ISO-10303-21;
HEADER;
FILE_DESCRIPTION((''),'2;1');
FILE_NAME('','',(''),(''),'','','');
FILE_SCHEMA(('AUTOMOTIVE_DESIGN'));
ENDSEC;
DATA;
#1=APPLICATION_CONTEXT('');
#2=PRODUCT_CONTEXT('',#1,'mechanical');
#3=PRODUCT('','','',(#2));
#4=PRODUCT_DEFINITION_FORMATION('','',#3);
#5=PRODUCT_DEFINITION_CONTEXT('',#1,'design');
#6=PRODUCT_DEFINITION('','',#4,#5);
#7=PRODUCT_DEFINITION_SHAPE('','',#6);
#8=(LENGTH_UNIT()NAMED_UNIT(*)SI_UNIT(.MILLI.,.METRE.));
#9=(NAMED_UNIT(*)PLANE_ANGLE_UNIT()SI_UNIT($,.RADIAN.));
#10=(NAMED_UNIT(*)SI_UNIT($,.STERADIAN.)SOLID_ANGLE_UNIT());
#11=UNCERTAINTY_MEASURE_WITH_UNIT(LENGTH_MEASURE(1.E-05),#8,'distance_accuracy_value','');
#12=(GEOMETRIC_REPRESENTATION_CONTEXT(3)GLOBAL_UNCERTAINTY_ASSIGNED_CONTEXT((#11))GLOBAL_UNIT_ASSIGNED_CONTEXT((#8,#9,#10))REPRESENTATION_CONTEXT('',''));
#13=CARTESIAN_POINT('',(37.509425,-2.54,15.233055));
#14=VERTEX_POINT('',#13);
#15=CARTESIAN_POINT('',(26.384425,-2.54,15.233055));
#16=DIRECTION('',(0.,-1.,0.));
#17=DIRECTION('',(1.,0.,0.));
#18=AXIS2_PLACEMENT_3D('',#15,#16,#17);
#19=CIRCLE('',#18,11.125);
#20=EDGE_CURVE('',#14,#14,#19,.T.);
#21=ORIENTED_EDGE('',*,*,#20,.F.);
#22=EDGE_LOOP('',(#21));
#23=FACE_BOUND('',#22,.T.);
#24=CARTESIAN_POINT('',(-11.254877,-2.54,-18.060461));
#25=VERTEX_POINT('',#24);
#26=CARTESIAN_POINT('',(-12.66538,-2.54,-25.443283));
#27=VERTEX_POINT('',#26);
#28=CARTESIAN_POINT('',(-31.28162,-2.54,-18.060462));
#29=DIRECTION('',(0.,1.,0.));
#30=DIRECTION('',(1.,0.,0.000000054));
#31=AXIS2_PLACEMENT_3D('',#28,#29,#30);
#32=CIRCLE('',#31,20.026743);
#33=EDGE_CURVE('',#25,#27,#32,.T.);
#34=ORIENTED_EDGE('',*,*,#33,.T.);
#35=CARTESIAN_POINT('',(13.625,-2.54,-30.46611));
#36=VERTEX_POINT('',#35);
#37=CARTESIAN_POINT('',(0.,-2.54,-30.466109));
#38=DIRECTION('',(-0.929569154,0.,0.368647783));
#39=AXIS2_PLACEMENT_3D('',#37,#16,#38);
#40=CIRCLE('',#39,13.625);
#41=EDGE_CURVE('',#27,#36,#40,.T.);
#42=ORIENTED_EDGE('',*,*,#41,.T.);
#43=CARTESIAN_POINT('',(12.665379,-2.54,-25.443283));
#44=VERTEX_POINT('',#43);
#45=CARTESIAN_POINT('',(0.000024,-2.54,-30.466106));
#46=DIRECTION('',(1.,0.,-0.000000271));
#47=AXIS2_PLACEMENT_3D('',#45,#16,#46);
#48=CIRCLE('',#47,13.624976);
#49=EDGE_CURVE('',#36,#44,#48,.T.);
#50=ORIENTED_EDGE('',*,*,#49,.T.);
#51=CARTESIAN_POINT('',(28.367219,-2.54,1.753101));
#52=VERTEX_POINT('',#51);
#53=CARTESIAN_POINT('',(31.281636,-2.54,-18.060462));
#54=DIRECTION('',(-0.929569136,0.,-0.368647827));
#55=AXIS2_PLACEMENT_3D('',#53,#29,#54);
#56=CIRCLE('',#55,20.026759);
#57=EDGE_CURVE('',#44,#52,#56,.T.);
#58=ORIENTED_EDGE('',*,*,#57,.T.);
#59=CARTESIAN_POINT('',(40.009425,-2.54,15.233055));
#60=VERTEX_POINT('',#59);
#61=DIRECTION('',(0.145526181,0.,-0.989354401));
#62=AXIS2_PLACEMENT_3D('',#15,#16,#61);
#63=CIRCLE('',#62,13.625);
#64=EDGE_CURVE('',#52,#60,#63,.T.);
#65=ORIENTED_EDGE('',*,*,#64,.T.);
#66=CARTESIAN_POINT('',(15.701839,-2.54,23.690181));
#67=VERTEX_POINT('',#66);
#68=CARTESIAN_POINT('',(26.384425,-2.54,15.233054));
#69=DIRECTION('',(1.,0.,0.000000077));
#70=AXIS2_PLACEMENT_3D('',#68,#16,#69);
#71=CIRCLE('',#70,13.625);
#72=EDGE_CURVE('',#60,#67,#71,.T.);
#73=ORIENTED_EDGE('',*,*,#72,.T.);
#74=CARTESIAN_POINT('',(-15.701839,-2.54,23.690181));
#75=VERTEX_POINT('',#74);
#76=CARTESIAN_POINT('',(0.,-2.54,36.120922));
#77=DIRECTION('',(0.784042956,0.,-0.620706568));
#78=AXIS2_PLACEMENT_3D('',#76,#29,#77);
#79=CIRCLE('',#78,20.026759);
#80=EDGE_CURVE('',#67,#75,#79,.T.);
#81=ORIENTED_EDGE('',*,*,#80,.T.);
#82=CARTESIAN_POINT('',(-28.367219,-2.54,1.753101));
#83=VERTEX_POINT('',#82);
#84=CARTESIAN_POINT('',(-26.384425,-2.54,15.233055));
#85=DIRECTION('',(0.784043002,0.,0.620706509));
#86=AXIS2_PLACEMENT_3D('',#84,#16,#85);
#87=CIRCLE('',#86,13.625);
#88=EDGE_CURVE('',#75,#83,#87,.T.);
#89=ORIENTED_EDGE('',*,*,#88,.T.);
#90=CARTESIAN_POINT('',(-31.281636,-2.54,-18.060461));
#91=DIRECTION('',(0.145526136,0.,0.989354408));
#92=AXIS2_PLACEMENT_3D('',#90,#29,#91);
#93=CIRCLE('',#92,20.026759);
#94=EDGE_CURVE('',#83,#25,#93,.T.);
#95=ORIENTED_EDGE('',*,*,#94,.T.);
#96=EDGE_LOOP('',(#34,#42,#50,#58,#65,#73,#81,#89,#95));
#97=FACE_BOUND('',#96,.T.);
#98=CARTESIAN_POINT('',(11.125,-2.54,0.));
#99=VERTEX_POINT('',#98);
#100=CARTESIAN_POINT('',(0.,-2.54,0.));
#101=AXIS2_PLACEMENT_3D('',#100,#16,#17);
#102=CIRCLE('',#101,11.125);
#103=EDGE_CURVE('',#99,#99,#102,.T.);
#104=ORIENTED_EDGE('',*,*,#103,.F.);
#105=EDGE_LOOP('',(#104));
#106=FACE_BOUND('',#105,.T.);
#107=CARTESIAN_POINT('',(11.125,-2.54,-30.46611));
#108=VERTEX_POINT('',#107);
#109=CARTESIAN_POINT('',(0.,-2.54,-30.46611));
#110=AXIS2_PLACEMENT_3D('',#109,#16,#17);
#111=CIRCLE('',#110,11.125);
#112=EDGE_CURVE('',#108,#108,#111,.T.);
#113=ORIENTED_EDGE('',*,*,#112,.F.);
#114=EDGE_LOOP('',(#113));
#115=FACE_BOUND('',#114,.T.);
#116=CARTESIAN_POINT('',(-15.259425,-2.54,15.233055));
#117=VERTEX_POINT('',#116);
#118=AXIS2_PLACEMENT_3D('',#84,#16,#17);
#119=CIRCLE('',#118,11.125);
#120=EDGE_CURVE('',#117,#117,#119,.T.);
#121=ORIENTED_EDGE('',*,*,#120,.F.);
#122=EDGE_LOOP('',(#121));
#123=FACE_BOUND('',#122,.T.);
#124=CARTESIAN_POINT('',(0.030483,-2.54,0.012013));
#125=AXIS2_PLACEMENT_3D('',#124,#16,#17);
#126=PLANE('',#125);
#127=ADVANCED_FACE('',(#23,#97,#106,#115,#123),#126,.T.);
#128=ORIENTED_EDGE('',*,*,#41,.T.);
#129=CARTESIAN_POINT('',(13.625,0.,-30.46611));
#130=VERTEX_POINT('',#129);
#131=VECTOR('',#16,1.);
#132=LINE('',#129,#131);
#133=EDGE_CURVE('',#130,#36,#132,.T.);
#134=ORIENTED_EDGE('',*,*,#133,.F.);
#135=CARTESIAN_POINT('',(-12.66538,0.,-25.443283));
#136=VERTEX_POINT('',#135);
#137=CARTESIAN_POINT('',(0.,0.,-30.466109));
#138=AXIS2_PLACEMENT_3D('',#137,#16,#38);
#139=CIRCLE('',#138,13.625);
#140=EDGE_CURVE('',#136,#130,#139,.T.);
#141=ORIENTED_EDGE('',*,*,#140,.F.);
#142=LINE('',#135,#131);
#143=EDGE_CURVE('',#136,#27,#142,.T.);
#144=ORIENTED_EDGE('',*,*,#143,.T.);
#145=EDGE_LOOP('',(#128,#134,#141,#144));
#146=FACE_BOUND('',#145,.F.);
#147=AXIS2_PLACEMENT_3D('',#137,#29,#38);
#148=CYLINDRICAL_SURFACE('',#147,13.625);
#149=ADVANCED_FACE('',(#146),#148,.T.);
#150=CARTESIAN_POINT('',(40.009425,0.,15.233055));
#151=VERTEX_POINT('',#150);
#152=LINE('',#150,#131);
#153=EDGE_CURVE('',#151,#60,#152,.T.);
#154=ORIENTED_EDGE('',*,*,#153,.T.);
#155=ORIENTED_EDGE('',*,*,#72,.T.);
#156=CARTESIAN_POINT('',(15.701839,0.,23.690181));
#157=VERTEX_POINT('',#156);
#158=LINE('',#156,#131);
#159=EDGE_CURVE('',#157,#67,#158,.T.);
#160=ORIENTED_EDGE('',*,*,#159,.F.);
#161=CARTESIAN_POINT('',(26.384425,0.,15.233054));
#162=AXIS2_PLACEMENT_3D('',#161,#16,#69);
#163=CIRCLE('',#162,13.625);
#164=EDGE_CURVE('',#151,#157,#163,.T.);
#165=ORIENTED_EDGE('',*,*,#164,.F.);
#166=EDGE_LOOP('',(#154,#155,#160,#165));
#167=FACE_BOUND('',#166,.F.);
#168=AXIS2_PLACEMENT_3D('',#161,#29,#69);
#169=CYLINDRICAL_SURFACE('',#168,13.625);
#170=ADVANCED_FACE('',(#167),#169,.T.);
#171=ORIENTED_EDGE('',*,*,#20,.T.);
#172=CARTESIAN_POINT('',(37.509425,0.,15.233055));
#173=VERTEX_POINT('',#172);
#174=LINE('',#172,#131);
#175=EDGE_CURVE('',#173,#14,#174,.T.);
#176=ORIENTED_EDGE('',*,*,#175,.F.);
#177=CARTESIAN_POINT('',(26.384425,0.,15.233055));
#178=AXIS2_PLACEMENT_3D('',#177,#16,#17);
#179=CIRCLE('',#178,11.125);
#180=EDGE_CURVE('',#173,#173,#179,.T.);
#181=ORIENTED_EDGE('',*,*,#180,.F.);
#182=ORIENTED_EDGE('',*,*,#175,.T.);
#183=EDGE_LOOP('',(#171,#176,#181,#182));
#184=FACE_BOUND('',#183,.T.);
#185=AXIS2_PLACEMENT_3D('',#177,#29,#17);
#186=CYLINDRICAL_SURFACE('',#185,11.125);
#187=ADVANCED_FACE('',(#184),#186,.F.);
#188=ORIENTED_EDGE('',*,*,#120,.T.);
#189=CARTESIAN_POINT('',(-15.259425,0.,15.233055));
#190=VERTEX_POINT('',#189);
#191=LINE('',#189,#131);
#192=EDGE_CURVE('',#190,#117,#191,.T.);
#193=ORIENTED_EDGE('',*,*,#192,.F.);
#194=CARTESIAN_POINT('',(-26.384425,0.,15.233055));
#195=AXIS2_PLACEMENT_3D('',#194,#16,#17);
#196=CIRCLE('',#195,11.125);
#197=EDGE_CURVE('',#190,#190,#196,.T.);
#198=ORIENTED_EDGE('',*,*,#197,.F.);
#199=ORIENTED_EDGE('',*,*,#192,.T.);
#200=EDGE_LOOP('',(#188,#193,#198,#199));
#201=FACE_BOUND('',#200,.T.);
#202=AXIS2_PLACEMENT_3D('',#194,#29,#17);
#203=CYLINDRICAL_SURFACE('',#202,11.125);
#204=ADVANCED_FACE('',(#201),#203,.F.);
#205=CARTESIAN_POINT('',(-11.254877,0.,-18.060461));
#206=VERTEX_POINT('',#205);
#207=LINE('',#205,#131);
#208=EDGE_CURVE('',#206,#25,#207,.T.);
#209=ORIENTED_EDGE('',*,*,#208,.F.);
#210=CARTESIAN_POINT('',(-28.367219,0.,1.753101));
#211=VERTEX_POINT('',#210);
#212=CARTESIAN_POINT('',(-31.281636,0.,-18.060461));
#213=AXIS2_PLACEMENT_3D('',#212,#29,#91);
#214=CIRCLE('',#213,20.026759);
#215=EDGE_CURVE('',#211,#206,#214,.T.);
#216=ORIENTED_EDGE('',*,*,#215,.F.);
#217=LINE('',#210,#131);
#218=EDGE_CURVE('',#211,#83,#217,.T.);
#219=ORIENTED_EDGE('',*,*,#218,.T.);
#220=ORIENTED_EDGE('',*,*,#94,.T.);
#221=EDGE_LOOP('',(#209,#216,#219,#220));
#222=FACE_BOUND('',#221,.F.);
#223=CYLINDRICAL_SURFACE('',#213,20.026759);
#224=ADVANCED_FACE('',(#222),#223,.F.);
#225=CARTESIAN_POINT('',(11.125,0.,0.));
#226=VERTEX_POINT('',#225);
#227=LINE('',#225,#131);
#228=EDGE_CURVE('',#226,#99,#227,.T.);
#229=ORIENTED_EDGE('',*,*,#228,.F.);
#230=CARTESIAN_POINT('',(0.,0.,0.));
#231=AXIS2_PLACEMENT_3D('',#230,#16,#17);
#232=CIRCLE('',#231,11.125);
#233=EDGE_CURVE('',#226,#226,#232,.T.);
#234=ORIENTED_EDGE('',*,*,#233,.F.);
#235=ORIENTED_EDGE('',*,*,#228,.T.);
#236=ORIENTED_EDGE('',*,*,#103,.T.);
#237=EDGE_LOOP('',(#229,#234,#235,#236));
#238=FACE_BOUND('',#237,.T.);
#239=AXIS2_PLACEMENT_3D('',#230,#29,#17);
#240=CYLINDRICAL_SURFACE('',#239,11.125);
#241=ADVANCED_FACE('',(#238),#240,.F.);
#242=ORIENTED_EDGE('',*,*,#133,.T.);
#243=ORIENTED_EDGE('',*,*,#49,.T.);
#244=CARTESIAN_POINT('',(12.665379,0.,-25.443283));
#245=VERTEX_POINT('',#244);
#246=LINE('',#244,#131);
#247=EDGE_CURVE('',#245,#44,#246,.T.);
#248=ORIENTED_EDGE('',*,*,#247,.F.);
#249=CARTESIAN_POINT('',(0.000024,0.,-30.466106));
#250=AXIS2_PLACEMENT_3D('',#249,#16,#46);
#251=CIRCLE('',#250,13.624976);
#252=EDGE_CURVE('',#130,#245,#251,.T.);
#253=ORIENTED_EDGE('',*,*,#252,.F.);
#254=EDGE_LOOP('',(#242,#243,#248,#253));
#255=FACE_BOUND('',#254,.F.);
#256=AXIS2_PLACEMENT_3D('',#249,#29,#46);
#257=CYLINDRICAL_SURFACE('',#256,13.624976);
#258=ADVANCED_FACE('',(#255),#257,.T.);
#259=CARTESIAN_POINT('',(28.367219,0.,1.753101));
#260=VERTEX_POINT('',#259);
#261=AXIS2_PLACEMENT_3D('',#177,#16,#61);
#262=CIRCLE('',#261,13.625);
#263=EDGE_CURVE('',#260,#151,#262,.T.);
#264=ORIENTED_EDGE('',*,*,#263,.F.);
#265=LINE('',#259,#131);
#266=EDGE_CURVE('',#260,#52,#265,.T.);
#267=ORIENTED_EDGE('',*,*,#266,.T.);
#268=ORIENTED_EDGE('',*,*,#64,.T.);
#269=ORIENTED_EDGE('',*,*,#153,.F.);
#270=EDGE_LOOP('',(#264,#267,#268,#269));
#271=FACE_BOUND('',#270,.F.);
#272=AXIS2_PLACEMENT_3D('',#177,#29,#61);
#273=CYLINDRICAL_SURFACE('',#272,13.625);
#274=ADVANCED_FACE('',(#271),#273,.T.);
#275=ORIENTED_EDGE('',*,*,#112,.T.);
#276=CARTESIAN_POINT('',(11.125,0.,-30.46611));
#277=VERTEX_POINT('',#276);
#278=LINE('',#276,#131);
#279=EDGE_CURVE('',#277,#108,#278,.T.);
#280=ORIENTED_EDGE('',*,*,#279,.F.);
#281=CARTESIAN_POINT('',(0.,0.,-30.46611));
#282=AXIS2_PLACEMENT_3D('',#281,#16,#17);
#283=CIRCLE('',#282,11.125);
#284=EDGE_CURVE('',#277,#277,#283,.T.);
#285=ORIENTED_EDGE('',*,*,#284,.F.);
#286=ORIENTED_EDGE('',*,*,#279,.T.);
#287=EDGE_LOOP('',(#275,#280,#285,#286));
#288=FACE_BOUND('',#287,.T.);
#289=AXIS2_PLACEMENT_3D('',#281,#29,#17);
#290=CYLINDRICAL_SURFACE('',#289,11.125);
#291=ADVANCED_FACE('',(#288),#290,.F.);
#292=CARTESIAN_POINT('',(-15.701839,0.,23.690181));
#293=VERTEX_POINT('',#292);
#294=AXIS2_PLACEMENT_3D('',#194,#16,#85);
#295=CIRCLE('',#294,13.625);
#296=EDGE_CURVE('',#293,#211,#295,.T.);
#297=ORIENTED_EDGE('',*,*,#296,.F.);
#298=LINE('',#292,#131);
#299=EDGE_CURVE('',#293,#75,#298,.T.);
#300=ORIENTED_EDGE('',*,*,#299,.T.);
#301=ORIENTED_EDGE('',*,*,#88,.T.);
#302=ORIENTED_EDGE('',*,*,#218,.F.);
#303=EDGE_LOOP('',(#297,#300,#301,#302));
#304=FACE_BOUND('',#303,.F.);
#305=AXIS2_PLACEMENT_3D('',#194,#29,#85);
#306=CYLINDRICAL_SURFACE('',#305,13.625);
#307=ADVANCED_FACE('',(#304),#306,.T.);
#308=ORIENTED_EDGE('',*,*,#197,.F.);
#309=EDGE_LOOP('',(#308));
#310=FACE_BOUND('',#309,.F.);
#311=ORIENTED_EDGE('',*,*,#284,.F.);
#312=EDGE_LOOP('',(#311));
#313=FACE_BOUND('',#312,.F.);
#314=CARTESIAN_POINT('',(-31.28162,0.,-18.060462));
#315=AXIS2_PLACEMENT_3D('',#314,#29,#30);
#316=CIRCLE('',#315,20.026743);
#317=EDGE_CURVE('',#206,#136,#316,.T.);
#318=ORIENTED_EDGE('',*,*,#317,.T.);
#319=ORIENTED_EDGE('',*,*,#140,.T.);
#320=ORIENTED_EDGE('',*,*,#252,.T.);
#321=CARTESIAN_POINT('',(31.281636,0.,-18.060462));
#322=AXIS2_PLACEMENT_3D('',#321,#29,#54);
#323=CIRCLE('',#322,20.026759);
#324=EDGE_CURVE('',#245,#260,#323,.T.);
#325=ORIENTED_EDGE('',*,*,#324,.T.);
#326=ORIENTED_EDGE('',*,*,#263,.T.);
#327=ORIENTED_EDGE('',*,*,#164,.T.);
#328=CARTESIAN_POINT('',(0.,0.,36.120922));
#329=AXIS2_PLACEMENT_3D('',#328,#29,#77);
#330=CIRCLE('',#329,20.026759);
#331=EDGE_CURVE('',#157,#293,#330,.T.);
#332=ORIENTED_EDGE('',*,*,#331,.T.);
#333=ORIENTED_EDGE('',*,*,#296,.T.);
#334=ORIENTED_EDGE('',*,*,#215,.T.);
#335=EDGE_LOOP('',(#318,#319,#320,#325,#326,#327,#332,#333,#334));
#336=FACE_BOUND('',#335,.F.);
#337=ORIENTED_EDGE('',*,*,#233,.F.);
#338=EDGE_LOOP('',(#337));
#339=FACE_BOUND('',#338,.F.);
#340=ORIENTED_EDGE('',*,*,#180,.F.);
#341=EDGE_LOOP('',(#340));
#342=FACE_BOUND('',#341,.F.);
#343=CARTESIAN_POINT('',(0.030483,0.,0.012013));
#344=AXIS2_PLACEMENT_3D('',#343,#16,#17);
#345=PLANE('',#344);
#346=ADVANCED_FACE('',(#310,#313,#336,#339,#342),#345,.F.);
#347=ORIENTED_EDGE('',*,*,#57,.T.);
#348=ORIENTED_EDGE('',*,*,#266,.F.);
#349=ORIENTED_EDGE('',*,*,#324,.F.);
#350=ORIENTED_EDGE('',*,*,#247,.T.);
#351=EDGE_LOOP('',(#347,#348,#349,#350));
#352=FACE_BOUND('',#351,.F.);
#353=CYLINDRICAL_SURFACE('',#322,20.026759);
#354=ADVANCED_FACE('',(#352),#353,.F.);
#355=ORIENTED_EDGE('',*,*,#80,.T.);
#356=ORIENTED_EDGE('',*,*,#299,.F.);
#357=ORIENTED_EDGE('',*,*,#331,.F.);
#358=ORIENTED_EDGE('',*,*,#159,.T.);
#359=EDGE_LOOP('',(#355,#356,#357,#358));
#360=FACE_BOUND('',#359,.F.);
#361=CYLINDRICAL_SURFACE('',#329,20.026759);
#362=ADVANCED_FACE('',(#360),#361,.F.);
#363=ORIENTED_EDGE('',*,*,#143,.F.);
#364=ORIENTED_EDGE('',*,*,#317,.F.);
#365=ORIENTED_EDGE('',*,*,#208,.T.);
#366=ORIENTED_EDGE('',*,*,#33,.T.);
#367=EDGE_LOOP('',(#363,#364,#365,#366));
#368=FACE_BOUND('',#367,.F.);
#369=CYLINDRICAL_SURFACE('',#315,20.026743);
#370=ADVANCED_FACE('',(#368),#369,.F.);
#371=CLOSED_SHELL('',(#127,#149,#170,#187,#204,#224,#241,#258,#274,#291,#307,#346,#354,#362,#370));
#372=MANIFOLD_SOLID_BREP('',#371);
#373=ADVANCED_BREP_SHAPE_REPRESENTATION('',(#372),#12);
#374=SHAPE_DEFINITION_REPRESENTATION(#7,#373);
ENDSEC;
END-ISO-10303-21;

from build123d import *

# Parameters (mm, degrees)
F0_R     = 11.125
F1_DEPTH = 2.54


with BuildPart() as f1:
    # F0 (on Front) → F1 (new body)
    with BuildSketch(Plane.XZ):
        with BuildLine():
            ThreePointArc((28.367219, 1.753101), (14.584829, 8.420555), (15.701839, 23.690181))
            ThreePointArc((15.701839, 23.690181), (0, 16.094163), (-15.701839, 23.690181))
            ThreePointArc((-15.701839, 23.690181), (-13.516036, 19.710241), (-12.759425, 15.233055))
            ThreePointArc((-12.759425, 15.233055), (-17.478667, 4.921503), (-28.367219, 1.753101))
            ThreePointArc((-28.367219, 1.753101), (-16.125162, -4.970298), (-11.254877, -18.060461))
            ThreePointArc((-11.254877, -18.060461), (-11.610663, -21.818638), (-12.66538, -25.443283))
            ThreePointArc((-12.66538, -25.443283), (0, -16.84111), (12.665379, -25.443283))
            ThreePointArc((12.665379, -25.443283), (13.937954, -8.047082), (28.367219, 1.753101))
        make_face()
        Circle(F0_R, mode=Mode.SUBTRACT)
        with BuildLine():
            ThreePointArc((-12.759425, 15.233055), (-13.516036, 19.710241), (-15.701839, 23.690181))
            ThreePointArc((-15.701839, 23.690181), (-38.184021, 22.045555), (-28.367219, 1.753101))
            ThreePointArc((-28.367219, 1.753101), (-17.478667, 4.921503), (-12.759425, 15.233055))
        make_face()
        with Locations((-26.384425, 15.233055)):
            Circle(F0_R, mode=Mode.SUBTRACT)
        with BuildLine():
            ThreePointArc((28.367219, 1.753101), (36.695976, 6.327296), (40.009425, 15.233055))
            ThreePointArc((40.009425, 15.233055), (30.861611, 28.101443), (15.701839, 23.690181))
            ThreePointArc((15.701839, 23.690181), (14.584829, 8.420555), (28.367219, 1.753101))
        make_face()
        with Locations((26.384425, 15.233055)):
            Circle(F0_R, mode=Mode.SUBTRACT)
        with BuildLine():
            ThreePointArc((13.625, -30.46611), (13.382945, -27.909273), (12.665379, -25.443283))
            ThreePointArc((12.665379, -25.443283), (0, -16.84111), (-12.66538, -25.443283))
            ThreePointArc((-12.66538, -25.443283), (-2.556837, -43.849054), (13.625, -30.46611))
        make_face()
        with Locations((0, -30.46611)):
            Circle(F0_R, mode=Mode.SUBTRACT)
    extrude(amount=F1_DEPTH)


solid = f1.part
